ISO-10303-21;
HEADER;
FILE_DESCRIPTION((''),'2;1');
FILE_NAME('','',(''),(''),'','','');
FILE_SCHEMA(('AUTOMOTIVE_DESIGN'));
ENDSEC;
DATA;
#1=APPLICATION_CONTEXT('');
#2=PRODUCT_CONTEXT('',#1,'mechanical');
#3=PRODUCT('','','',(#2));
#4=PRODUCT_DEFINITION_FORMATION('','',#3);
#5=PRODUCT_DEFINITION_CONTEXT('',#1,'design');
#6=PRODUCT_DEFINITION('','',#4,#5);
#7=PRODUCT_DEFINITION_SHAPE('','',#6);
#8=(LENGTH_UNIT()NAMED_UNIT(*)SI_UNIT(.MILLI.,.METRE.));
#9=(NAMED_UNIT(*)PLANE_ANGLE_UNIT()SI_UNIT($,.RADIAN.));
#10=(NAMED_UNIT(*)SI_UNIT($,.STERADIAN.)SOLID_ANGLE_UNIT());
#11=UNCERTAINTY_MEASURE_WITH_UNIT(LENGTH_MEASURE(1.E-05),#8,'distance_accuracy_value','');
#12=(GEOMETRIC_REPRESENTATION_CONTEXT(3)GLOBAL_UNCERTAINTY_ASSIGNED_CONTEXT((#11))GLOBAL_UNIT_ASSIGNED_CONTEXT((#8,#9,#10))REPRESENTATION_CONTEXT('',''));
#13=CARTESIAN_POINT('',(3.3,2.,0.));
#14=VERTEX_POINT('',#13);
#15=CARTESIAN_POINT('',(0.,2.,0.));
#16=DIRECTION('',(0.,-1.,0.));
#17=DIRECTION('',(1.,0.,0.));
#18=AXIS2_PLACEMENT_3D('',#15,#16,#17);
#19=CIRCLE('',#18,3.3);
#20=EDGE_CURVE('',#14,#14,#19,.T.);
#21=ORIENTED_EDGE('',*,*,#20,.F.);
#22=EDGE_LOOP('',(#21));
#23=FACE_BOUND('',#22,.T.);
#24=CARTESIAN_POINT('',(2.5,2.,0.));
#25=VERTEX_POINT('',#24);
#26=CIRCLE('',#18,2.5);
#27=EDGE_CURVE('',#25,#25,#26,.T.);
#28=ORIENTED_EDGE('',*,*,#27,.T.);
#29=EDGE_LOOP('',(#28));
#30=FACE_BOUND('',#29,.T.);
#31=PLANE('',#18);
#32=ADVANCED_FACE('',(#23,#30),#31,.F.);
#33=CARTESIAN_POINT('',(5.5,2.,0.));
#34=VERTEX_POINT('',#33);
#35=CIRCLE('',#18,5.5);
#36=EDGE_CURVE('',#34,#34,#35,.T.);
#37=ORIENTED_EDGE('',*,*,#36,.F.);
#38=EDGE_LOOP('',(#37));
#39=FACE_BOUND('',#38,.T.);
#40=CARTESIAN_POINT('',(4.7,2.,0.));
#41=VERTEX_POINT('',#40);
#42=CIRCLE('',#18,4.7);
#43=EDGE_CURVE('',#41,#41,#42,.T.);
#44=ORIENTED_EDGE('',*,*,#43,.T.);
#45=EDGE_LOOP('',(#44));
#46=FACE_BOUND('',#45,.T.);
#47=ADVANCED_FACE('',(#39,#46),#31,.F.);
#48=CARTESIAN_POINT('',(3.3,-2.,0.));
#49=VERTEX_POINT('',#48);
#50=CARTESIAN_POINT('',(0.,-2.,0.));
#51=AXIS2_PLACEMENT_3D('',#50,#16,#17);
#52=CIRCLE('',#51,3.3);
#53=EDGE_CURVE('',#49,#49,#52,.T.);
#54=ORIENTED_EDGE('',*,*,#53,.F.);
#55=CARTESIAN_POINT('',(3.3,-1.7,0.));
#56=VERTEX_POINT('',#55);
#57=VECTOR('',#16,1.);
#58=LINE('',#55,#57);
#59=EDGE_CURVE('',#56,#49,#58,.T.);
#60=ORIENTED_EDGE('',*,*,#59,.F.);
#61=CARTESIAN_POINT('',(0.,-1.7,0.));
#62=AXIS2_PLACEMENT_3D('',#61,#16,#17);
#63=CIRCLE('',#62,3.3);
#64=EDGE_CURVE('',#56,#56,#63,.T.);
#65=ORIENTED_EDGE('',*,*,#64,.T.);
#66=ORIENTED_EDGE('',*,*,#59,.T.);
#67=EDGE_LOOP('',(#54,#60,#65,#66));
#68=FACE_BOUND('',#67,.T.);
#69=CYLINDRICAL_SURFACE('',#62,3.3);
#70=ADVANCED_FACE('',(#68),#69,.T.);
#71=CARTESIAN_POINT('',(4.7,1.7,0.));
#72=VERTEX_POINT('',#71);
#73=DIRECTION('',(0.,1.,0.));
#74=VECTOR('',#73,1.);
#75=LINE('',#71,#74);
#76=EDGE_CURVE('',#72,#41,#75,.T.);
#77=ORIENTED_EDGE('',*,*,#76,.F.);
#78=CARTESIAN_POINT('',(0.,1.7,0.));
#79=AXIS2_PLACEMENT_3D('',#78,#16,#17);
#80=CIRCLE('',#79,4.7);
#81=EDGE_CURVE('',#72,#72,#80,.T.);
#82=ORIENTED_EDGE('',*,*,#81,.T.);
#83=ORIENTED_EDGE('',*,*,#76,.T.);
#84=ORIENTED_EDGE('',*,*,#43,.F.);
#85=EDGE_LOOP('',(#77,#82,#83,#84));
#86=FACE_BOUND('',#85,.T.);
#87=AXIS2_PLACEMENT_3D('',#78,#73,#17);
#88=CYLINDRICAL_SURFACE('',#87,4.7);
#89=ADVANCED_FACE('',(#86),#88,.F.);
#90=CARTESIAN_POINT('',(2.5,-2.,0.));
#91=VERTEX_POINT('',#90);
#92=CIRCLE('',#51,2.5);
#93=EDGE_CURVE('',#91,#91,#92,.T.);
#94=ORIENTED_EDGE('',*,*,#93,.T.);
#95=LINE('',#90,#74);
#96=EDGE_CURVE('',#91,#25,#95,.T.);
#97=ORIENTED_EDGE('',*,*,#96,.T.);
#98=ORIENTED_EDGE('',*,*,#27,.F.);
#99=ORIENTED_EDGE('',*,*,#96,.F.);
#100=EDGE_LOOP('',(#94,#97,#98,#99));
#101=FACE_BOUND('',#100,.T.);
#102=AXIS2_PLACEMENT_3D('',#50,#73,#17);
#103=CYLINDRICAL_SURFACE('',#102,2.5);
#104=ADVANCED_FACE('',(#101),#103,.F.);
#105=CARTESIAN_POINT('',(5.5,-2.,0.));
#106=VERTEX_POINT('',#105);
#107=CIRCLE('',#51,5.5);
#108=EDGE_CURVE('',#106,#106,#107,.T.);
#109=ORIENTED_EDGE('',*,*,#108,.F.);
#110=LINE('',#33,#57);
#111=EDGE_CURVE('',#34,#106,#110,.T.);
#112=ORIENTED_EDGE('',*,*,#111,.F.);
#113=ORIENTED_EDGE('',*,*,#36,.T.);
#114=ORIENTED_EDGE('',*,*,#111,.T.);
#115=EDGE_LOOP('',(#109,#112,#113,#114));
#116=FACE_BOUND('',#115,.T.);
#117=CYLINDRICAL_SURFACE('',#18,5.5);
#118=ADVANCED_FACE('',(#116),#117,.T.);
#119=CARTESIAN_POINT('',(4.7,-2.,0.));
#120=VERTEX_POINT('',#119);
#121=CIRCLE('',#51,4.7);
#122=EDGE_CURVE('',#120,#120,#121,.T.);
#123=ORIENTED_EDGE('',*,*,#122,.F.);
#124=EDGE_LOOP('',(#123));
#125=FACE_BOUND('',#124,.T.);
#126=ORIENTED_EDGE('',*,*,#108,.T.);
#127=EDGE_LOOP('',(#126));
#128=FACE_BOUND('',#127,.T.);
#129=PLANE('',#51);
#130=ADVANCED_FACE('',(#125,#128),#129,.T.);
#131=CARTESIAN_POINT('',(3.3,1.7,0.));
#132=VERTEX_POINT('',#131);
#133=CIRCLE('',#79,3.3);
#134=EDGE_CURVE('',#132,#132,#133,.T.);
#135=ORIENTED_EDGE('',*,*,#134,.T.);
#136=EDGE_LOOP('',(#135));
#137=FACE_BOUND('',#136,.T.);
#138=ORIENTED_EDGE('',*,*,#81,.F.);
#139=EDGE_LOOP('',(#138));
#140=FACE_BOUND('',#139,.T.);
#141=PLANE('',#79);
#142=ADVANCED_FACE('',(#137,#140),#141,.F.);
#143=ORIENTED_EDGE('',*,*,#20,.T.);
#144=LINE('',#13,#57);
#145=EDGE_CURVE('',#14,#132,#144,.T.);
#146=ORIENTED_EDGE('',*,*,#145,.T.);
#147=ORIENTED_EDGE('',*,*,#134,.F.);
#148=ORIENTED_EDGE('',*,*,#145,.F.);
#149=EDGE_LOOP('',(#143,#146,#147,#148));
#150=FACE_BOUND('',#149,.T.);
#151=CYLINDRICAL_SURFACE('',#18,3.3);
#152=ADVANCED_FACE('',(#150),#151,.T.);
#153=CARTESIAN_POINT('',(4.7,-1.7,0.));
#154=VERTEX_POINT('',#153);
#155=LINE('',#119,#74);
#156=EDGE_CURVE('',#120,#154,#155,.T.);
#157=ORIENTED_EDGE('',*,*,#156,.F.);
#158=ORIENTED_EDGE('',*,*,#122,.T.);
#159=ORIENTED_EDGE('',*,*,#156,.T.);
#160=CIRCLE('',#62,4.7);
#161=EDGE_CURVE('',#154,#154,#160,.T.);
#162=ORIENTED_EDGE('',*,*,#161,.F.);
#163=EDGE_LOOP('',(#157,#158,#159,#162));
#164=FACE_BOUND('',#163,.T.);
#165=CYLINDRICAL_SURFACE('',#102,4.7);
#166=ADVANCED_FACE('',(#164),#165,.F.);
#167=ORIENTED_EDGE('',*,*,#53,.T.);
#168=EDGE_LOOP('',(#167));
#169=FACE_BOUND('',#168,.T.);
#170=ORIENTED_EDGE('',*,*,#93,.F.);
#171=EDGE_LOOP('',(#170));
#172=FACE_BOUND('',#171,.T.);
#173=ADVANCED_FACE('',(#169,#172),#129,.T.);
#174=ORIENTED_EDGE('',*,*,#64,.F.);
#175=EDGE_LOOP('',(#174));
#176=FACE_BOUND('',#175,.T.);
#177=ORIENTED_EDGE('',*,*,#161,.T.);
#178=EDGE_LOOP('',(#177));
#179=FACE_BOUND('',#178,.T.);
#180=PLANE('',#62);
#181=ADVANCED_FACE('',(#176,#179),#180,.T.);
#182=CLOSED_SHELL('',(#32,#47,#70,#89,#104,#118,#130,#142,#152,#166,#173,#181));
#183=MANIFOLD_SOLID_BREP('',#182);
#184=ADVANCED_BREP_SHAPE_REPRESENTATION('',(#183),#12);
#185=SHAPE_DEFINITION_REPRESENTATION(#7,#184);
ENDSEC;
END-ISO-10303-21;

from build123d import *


with BuildPart() as part:
    # Esquisse1 → Révolution1 (revolve)
    with BuildSketch(Plane.XY):
        Polygon((2.5, -2), (2.5, 2), (3.3, 2), (3.3, 1.7), (4.7, 1.7), (4.7, 2), (5.5, 2), (5.5, -2), (4.7, -2), (4.7, -1.7), (3.3, -1.7), (3.3, -2), align=None)
    revolve(axis=Axis((0, 4.534489075, 0), (0, -1, 0)))


solid = part.part
